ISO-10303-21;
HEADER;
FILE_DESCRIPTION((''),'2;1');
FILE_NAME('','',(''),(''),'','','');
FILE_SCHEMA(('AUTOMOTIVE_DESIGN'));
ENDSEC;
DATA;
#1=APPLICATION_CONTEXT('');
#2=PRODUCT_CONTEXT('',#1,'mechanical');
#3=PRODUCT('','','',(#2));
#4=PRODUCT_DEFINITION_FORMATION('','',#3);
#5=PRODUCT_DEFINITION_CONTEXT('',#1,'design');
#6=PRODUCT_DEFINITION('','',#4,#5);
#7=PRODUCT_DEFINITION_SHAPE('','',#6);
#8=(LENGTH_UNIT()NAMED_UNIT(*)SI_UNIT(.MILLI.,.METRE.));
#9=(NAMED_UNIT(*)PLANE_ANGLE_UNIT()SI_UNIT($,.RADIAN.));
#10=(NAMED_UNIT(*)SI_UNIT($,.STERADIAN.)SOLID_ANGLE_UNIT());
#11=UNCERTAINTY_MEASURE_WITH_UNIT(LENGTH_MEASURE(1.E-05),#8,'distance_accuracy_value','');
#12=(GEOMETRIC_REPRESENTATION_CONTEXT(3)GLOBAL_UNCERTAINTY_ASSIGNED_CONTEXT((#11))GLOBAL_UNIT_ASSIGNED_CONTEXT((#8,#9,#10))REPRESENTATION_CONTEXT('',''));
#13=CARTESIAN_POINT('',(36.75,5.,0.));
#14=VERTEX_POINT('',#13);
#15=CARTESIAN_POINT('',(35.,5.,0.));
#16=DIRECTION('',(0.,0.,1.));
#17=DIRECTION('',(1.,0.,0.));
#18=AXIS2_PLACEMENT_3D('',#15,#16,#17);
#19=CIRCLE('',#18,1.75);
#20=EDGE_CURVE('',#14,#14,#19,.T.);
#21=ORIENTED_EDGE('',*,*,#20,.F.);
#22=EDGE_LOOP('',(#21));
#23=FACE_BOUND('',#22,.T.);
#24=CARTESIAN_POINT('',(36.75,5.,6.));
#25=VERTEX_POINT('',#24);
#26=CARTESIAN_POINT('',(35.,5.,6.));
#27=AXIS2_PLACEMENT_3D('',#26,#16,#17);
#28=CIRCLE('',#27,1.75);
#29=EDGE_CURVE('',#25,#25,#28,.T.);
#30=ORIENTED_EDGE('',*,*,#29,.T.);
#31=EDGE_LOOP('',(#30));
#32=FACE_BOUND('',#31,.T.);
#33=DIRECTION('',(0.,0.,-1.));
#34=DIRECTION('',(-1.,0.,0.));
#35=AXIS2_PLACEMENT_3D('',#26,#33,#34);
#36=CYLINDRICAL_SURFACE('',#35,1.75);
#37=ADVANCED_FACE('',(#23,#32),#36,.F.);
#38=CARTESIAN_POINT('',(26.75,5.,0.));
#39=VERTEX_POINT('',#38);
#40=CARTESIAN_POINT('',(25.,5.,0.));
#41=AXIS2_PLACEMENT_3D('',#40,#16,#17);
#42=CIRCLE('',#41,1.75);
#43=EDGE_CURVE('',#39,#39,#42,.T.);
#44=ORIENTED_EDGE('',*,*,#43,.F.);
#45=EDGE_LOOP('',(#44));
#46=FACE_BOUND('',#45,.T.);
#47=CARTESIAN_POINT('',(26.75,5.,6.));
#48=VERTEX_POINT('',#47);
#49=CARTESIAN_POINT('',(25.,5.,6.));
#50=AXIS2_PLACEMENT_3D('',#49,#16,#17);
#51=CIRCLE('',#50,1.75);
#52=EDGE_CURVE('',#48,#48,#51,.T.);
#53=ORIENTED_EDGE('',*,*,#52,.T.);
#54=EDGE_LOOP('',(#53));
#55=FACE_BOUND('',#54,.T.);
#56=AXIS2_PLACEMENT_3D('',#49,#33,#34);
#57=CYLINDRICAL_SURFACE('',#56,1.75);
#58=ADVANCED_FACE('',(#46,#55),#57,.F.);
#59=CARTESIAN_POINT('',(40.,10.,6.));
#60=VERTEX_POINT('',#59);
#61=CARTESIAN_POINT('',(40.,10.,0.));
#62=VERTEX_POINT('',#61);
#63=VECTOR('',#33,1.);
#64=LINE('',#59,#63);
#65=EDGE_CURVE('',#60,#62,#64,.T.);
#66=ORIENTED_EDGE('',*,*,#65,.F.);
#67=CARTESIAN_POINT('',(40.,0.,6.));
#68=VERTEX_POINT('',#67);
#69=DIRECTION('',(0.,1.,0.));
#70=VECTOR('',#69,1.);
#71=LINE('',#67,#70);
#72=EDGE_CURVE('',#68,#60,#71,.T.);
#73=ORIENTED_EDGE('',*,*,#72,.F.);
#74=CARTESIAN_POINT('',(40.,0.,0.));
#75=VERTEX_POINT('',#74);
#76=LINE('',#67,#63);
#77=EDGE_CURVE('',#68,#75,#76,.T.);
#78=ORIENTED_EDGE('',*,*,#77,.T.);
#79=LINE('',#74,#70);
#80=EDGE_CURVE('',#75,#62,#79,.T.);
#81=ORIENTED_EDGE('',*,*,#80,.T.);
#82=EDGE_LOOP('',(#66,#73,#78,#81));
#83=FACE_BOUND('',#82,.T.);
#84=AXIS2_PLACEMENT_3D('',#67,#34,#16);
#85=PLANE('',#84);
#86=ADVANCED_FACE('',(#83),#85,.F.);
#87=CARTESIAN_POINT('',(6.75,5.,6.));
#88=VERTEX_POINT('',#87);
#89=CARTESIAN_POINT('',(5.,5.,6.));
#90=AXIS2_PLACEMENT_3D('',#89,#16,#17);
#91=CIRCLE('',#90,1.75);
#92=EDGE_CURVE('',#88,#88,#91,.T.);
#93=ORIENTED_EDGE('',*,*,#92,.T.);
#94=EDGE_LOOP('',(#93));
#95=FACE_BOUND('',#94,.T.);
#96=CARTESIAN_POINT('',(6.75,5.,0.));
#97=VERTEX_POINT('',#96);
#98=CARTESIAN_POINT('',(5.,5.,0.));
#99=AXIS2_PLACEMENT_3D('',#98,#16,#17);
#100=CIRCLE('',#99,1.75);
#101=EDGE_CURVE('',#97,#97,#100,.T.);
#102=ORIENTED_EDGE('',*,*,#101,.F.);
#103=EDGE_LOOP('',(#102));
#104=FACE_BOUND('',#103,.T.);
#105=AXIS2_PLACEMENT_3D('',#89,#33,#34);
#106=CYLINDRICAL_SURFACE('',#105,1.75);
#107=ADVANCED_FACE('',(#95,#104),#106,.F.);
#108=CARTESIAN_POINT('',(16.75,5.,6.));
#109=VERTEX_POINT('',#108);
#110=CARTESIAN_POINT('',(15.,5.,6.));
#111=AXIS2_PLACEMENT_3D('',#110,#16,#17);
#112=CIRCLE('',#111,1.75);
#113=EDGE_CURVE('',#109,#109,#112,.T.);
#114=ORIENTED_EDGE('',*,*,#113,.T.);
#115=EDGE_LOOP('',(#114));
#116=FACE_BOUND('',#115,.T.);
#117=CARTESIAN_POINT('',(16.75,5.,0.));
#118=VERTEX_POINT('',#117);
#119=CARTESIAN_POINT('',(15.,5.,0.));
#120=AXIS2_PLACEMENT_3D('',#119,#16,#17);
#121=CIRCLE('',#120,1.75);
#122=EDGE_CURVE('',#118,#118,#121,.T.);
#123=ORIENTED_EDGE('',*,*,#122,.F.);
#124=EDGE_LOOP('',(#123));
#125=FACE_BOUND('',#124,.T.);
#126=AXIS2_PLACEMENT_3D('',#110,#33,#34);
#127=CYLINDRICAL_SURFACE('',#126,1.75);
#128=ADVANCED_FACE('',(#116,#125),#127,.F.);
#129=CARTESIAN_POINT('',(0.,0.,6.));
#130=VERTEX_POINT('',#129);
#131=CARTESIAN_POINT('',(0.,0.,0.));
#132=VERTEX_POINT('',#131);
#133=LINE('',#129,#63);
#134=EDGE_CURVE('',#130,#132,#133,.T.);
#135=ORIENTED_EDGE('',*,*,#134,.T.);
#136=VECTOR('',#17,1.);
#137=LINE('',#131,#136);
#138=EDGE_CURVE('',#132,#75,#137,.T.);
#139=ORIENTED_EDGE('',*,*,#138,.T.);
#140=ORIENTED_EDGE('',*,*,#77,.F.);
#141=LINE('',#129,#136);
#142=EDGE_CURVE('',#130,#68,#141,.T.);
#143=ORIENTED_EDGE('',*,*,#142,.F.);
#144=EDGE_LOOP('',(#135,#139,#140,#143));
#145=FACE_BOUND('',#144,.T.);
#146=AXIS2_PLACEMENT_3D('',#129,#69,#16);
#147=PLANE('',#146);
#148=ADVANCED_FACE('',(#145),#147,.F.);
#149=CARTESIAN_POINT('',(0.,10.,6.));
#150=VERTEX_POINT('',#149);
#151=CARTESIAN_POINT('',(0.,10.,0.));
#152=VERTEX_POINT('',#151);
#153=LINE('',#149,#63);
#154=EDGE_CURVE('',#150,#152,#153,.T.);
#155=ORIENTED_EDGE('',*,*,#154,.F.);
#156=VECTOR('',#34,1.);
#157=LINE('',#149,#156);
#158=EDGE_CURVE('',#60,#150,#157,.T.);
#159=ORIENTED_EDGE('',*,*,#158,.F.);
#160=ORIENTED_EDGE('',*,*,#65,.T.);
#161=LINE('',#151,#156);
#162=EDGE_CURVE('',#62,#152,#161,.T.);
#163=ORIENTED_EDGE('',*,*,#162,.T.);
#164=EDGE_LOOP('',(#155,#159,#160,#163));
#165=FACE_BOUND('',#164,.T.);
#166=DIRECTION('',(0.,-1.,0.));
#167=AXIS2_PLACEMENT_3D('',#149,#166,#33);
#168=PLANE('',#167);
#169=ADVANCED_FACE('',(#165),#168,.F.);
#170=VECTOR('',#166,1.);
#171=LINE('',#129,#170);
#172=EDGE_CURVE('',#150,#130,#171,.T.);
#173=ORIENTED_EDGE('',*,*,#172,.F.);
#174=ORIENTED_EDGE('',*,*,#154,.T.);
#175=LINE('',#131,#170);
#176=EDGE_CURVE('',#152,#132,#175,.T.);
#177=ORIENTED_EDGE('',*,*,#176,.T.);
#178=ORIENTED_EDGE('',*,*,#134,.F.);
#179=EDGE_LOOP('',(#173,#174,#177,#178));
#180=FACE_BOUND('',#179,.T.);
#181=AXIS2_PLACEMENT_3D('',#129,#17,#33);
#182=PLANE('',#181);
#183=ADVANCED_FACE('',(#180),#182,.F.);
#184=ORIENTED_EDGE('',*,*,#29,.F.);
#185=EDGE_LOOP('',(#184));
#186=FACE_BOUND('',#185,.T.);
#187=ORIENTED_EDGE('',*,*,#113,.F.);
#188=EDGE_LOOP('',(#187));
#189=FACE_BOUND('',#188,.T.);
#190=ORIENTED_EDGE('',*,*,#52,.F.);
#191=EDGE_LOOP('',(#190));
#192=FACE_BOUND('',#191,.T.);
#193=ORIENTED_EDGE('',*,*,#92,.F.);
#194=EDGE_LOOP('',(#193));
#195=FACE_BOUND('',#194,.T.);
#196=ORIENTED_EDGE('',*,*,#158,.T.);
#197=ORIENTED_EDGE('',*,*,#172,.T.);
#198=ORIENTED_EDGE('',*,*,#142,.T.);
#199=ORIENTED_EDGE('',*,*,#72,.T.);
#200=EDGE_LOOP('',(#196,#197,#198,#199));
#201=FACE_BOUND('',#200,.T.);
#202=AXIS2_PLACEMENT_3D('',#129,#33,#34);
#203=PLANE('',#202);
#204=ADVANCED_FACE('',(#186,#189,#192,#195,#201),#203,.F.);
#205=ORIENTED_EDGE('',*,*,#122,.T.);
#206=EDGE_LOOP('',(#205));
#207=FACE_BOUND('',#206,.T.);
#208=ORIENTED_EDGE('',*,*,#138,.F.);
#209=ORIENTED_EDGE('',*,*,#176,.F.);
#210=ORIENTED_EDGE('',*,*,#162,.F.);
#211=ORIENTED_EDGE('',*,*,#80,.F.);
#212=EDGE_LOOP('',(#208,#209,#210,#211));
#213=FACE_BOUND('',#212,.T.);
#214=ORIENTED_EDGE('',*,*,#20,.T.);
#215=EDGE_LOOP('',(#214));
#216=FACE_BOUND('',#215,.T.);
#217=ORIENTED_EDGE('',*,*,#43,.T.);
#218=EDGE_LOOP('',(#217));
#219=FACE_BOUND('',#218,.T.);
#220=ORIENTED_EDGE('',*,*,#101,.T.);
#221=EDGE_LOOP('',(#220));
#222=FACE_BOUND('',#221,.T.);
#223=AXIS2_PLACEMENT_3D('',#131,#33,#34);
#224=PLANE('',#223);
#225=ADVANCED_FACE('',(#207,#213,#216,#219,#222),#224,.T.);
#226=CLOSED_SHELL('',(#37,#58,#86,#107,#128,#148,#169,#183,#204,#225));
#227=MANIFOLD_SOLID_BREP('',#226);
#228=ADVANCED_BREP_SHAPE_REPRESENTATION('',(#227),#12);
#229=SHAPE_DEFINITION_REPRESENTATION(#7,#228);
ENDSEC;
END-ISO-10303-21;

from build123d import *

# Parameters (mm, degrees)
ESQUISSE1_W        = 40
ESQUISSE1_H        = 10
ESQUISSE1_R        = 1.75
BOSS_EXTRU_1_DEPTH = 6


with BuildPart() as part:
    # Esquisse1 → Boss.-Extru.1 (new body)
    with BuildSketch(Plane.XY):
        with Locations((20, 5)):
            Rectangle(ESQUISSE1_W, ESQUISSE1_H)
        with Locations((5, 5)):
            Circle(ESQUISSE1_R, mode=Mode.SUBTRACT)
        with Locations((15, 5)):
            Circle(ESQUISSE1_R, mode=Mode.SUBTRACT)
        with Locations((25, 5)):
            Circle(ESQUISSE1_R, mode=Mode.SUBTRACT)
        with Locations((35, 5)):
            Circle(ESQUISSE1_R, mode=Mode.SUBTRACT)
    extrude(amount=BOSS_EXTRU_1_DEPTH)


solid = part.part
